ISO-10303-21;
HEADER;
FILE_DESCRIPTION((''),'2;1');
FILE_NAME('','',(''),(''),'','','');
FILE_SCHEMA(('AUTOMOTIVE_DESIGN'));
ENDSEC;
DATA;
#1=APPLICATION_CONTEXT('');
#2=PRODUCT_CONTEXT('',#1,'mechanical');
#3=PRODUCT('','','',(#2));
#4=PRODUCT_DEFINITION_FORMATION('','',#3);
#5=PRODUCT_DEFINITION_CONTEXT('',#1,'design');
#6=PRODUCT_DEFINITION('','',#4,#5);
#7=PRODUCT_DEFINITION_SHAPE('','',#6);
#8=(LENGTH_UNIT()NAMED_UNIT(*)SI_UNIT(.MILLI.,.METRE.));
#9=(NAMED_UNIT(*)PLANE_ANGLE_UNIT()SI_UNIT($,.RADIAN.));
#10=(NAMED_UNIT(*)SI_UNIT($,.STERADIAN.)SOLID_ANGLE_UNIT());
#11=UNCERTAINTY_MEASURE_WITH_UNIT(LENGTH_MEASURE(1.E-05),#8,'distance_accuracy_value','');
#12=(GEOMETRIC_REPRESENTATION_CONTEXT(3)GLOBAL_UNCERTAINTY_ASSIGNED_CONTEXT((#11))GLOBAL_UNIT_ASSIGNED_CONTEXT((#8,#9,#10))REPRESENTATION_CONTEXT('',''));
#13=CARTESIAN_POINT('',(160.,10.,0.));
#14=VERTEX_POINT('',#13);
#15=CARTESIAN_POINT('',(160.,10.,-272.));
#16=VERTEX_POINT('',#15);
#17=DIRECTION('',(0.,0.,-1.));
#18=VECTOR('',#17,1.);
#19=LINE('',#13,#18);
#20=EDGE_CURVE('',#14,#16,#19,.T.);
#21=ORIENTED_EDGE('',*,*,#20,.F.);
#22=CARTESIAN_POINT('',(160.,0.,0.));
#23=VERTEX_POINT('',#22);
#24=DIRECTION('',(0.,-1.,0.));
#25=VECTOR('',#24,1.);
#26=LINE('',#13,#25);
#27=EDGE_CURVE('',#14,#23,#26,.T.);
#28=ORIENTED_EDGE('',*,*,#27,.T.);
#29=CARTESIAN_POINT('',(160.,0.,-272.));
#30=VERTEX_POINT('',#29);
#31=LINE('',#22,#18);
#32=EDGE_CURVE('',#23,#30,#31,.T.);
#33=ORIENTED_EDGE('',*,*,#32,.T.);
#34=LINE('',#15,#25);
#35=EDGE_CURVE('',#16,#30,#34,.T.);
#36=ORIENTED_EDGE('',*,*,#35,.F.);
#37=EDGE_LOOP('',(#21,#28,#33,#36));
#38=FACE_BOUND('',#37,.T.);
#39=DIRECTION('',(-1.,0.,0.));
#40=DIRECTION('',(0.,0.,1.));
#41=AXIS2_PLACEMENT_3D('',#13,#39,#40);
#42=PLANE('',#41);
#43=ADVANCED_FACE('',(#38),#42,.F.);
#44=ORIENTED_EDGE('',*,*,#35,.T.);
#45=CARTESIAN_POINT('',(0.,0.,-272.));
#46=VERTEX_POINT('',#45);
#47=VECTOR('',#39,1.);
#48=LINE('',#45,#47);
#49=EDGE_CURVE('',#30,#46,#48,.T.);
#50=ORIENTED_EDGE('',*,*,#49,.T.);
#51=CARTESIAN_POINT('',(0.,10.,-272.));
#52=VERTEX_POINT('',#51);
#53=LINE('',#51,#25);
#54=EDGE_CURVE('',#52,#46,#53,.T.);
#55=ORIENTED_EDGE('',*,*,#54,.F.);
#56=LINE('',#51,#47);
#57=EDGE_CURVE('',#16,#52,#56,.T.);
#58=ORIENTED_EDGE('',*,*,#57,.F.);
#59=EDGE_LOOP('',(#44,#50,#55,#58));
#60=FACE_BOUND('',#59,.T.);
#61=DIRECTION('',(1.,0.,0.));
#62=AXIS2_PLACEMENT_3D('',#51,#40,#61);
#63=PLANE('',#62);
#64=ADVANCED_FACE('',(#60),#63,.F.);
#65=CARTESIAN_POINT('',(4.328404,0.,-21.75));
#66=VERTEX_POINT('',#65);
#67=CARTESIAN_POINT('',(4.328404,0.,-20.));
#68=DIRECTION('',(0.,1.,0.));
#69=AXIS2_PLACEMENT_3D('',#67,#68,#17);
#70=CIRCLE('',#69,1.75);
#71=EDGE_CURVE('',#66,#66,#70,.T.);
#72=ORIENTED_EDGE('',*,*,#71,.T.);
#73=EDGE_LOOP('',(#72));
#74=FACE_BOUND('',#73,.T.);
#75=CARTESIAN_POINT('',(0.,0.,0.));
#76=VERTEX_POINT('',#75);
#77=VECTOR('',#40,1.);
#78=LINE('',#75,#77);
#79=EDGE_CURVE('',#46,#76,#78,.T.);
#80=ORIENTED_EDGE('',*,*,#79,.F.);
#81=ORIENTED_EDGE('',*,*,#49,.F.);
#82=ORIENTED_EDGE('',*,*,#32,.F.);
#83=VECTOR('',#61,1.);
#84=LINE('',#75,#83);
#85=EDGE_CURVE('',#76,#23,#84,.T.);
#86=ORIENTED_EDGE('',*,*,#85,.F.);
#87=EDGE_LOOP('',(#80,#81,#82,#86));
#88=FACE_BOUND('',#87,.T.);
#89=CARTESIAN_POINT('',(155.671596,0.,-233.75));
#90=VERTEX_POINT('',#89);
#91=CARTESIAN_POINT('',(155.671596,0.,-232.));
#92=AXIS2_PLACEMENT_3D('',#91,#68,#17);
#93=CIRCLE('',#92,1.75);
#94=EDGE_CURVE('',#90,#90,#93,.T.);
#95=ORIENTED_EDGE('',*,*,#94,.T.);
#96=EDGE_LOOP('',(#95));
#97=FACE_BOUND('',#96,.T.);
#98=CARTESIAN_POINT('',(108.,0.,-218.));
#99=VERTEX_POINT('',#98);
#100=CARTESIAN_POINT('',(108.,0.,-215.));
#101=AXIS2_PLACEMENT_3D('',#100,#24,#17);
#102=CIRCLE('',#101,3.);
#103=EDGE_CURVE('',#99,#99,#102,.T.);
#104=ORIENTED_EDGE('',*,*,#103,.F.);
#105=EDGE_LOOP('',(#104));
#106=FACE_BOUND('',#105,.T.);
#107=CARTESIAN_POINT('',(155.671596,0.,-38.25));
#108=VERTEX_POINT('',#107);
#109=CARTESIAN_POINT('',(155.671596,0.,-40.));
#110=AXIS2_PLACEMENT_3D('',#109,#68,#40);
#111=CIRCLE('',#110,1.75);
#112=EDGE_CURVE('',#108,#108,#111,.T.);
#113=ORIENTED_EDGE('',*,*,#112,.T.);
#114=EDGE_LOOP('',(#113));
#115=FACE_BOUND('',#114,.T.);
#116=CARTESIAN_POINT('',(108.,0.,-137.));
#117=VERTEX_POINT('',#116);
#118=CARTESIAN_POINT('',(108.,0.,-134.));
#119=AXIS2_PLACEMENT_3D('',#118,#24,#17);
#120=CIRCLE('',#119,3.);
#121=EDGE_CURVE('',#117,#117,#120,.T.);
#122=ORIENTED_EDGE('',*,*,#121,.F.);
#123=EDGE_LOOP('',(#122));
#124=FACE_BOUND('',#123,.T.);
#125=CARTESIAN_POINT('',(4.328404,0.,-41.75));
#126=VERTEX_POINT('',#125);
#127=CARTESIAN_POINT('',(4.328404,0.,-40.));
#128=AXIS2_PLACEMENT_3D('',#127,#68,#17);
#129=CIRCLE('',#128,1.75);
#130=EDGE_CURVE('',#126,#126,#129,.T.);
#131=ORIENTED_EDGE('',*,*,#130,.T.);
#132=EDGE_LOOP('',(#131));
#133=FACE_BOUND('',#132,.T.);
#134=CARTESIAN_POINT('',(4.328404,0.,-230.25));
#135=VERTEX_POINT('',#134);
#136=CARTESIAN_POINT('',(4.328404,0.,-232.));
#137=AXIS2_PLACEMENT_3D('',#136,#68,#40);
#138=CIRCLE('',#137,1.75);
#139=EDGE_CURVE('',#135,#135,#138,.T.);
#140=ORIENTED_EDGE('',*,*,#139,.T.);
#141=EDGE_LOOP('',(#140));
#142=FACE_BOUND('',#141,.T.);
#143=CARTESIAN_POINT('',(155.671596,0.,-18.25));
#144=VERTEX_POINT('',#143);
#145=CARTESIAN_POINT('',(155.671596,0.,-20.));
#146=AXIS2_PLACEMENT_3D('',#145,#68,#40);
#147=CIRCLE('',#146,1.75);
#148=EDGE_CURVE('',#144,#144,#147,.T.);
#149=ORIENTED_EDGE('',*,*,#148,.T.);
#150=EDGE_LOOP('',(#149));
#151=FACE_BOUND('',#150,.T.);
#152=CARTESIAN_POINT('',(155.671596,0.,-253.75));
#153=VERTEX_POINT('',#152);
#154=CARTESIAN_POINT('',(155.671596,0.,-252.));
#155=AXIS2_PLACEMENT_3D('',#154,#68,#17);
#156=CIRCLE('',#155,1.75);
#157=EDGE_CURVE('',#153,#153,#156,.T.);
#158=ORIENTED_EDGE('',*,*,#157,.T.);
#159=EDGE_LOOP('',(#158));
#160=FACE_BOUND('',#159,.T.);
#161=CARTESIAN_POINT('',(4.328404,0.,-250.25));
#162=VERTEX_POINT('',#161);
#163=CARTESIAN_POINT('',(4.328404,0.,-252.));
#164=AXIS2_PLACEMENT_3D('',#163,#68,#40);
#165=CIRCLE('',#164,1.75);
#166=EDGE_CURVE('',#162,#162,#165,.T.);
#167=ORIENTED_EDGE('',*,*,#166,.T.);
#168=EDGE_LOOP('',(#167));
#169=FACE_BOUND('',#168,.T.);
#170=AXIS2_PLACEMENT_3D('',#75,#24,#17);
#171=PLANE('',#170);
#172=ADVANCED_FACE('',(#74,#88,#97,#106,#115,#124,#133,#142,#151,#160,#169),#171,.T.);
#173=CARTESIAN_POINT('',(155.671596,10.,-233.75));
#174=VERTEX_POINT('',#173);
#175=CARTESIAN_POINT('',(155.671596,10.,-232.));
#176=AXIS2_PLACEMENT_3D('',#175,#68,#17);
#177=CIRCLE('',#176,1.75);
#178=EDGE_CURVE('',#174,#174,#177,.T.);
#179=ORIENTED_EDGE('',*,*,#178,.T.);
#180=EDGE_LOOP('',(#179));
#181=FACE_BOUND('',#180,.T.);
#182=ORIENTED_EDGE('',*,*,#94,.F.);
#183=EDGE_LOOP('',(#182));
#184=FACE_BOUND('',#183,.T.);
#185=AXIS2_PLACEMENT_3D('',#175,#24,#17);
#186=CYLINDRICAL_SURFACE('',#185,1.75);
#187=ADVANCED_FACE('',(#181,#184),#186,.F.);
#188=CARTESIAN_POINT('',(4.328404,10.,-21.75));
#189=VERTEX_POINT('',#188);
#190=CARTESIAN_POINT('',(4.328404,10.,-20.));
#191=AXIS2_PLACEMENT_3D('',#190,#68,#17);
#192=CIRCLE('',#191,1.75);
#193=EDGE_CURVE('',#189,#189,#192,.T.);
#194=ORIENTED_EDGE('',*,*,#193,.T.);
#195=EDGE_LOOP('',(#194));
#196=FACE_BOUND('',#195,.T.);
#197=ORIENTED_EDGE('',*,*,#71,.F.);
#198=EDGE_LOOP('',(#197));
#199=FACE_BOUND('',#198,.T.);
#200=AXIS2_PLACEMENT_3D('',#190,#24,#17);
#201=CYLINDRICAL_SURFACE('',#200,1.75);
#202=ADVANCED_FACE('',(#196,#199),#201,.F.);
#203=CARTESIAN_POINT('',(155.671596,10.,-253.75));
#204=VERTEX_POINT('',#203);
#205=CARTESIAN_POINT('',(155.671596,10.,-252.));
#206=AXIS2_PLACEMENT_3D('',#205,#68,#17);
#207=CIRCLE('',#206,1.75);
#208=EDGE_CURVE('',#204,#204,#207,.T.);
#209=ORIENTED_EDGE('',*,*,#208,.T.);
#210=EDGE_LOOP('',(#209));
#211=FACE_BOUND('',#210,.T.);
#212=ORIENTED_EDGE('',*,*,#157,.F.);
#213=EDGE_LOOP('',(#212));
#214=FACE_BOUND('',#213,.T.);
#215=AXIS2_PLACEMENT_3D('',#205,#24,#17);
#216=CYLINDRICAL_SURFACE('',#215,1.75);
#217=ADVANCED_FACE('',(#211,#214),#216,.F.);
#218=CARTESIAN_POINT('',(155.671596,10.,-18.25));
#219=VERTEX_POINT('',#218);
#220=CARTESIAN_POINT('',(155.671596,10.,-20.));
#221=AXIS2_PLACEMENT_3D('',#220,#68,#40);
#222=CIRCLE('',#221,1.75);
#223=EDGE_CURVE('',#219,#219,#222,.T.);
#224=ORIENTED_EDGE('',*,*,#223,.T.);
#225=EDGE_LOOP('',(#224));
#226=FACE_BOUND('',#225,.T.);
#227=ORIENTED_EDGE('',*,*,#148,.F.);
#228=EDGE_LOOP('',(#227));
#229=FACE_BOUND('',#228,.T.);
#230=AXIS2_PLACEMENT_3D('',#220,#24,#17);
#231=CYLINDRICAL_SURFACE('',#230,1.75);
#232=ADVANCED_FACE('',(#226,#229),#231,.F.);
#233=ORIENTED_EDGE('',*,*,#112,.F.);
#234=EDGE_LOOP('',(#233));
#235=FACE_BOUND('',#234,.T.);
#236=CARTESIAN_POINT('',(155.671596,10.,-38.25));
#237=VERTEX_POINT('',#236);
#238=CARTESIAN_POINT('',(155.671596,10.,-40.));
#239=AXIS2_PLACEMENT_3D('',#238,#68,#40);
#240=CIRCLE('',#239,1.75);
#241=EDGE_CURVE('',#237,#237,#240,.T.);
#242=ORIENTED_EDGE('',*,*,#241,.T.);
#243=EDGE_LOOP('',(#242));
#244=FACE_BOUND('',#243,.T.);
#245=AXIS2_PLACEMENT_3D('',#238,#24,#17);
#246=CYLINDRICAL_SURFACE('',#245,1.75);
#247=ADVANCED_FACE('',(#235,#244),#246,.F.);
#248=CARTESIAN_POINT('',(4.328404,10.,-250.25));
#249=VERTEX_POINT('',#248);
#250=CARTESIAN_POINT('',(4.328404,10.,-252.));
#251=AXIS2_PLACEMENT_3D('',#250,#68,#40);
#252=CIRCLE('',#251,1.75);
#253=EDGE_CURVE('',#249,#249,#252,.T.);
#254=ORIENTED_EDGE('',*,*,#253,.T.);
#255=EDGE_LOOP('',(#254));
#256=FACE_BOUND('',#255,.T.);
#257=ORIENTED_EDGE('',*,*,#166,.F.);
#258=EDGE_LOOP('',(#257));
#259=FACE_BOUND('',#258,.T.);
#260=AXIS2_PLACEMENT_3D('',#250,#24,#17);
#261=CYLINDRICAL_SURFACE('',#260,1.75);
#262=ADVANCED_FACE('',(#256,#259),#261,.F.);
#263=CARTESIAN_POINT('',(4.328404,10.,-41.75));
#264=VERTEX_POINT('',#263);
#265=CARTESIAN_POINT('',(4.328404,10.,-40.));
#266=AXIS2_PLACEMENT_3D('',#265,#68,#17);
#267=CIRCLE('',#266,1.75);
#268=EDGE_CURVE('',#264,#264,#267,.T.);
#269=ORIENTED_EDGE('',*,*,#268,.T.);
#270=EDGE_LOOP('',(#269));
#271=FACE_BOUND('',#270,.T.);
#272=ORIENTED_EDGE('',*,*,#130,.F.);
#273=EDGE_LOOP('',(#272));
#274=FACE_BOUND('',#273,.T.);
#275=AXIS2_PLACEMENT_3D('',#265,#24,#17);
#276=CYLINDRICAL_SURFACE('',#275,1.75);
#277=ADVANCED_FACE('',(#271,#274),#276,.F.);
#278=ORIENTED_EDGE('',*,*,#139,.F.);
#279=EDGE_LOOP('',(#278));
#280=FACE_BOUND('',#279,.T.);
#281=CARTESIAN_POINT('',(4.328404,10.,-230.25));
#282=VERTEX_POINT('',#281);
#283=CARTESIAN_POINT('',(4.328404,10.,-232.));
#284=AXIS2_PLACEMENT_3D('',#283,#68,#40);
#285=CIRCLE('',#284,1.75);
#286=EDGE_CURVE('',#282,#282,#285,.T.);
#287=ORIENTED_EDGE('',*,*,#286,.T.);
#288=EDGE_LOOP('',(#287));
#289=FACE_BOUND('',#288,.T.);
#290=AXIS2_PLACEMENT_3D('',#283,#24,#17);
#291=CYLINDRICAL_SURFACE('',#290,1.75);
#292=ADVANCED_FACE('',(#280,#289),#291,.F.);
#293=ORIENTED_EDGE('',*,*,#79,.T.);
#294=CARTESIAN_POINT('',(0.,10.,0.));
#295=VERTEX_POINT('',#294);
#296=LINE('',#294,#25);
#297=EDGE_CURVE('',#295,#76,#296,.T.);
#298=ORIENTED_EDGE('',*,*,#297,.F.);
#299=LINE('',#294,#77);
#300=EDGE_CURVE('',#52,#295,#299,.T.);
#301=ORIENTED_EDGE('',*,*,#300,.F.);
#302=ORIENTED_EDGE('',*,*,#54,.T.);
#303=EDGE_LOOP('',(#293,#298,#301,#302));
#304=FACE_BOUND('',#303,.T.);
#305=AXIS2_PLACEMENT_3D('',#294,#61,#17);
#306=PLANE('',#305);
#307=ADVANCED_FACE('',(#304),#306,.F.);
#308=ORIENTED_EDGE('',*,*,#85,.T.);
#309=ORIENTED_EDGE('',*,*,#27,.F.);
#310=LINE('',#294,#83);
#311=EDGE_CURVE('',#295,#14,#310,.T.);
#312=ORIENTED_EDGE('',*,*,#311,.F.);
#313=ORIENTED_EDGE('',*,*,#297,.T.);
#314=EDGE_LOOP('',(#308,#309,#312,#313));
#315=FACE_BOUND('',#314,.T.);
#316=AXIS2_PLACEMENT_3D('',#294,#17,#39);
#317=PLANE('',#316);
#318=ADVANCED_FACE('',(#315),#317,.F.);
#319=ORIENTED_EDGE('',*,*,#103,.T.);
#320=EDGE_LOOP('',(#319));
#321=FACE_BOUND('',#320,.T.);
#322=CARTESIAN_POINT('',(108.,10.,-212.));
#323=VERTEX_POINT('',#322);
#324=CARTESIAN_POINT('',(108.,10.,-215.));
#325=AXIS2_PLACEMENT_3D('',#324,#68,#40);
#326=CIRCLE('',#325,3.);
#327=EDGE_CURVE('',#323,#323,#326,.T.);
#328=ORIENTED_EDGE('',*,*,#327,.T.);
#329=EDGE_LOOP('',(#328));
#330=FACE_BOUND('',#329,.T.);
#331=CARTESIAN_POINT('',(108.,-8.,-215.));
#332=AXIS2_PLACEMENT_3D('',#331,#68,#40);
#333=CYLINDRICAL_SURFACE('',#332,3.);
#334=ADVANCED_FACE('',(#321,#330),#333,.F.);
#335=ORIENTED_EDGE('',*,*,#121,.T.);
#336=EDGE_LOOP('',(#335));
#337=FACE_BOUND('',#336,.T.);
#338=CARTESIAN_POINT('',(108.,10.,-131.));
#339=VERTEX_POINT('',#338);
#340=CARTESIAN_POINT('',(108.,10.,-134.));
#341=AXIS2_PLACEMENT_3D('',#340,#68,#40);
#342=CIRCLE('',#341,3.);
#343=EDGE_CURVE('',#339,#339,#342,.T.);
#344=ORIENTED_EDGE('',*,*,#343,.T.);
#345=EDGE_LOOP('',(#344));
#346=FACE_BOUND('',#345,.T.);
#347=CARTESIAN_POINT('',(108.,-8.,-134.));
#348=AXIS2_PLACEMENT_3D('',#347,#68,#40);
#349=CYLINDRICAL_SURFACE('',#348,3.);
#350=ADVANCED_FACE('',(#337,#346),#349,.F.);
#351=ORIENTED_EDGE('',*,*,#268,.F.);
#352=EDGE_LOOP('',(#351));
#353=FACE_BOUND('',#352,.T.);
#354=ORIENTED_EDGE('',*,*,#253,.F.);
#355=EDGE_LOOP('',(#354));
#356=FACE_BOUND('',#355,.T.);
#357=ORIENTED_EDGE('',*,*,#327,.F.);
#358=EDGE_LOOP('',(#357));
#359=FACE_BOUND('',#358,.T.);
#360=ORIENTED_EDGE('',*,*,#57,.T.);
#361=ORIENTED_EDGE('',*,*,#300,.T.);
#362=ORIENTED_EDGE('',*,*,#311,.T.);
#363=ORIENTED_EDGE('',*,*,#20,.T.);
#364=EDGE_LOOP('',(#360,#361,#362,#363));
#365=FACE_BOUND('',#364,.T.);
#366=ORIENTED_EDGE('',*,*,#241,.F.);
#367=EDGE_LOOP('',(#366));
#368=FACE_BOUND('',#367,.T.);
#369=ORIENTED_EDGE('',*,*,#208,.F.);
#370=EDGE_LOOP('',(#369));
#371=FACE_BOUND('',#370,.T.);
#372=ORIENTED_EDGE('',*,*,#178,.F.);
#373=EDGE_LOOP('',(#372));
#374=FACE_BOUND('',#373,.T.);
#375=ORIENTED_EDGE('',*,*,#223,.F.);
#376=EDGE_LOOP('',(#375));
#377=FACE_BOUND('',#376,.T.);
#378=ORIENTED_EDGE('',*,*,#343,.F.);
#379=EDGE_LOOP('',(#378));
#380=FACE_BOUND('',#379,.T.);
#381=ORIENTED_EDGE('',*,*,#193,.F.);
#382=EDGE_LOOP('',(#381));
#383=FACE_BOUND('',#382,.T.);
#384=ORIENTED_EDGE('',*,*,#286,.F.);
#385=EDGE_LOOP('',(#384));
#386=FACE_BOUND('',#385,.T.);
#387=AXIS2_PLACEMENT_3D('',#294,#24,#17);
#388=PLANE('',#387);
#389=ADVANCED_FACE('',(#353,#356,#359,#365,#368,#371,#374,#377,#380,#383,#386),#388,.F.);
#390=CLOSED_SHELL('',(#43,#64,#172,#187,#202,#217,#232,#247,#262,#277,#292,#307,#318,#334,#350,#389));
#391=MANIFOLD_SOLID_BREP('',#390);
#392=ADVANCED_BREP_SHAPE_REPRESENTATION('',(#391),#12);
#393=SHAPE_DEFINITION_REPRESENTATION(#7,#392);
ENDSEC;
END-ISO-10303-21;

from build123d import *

# Parameters (mm, degrees)
SKETCH1_W           = 160
SKETCH1_H           = 272
SKETCH1_R           = 1.75
BOSS_EXTRUDE1_DEPTH = 10
SKETCH3_R           = 3
CUT_EXTRUDE1_DEPTH  = 18


with BuildPart() as part:
    # Sketch1 → Boss-Extrude1 (new body)
    with BuildSketch(Plane(origin=(0, 0, 0), x_dir=(1, 0, 0), z_dir=(0, 1, 0))):
        with Locations((80, 136)):
            Rectangle(SKETCH1_W, SKETCH1_H)
        with Locations(Location((4.328403696, 232, 0), (0, 0, 270))):
            Circle(SKETCH1_R, mode=Mode.SUBTRACT)
        with Locations(Location((4.328403696, 252, 0), (0, 0, 270))):
            Circle(SKETCH1_R, mode=Mode.SUBTRACT)
        with Locations(Location((4.328403696, 40, 0), (0, 0, 90))):
            Circle(SKETCH1_R, mode=Mode.SUBTRACT)
        with Locations(Location((4.328403696, 20, 0), (0, 0, 90))):
            Circle(SKETCH1_R, mode=Mode.SUBTRACT)
        with Locations(Location((155.671596304, 20, 0), (0, 0, 270))):
            Circle(SKETCH1_R, mode=Mode.SUBTRACT)
        with Locations(Location((155.671596304, 40, 0), (0, 0, 270))):
            Circle(SKETCH1_R, mode=Mode.SUBTRACT)
        with Locations(Location((155.671596304, 232, 0), (0, 0, 90))):
            Circle(SKETCH1_R, mode=Mode.SUBTRACT)
        with Locations(Location((155.671596304, 252, 0), (0, 0, 90))):
            Circle(SKETCH1_R, mode=Mode.SUBTRACT)
    extrude(amount=BOSS_EXTRUDE1_DEPTH)

    # Sketch3 → Cut-Extrude1 (cut)
    with BuildSketch(Plane(origin=(0, 10, 0), x_dir=(1, 0, 0), z_dir=(0, 1, 0))):
        with Locations(Location((108, 134, 0), (0, 0, 270))):
            Circle(SKETCH3_R)
        with Locations(Location((108, 215, 0), (0, 0, 270))):
            Circle(SKETCH3_R)
    extrude(amount=-CUT_EXTRUDE1_DEPTH, mode=Mode.SUBTRACT)


solid = part.part
